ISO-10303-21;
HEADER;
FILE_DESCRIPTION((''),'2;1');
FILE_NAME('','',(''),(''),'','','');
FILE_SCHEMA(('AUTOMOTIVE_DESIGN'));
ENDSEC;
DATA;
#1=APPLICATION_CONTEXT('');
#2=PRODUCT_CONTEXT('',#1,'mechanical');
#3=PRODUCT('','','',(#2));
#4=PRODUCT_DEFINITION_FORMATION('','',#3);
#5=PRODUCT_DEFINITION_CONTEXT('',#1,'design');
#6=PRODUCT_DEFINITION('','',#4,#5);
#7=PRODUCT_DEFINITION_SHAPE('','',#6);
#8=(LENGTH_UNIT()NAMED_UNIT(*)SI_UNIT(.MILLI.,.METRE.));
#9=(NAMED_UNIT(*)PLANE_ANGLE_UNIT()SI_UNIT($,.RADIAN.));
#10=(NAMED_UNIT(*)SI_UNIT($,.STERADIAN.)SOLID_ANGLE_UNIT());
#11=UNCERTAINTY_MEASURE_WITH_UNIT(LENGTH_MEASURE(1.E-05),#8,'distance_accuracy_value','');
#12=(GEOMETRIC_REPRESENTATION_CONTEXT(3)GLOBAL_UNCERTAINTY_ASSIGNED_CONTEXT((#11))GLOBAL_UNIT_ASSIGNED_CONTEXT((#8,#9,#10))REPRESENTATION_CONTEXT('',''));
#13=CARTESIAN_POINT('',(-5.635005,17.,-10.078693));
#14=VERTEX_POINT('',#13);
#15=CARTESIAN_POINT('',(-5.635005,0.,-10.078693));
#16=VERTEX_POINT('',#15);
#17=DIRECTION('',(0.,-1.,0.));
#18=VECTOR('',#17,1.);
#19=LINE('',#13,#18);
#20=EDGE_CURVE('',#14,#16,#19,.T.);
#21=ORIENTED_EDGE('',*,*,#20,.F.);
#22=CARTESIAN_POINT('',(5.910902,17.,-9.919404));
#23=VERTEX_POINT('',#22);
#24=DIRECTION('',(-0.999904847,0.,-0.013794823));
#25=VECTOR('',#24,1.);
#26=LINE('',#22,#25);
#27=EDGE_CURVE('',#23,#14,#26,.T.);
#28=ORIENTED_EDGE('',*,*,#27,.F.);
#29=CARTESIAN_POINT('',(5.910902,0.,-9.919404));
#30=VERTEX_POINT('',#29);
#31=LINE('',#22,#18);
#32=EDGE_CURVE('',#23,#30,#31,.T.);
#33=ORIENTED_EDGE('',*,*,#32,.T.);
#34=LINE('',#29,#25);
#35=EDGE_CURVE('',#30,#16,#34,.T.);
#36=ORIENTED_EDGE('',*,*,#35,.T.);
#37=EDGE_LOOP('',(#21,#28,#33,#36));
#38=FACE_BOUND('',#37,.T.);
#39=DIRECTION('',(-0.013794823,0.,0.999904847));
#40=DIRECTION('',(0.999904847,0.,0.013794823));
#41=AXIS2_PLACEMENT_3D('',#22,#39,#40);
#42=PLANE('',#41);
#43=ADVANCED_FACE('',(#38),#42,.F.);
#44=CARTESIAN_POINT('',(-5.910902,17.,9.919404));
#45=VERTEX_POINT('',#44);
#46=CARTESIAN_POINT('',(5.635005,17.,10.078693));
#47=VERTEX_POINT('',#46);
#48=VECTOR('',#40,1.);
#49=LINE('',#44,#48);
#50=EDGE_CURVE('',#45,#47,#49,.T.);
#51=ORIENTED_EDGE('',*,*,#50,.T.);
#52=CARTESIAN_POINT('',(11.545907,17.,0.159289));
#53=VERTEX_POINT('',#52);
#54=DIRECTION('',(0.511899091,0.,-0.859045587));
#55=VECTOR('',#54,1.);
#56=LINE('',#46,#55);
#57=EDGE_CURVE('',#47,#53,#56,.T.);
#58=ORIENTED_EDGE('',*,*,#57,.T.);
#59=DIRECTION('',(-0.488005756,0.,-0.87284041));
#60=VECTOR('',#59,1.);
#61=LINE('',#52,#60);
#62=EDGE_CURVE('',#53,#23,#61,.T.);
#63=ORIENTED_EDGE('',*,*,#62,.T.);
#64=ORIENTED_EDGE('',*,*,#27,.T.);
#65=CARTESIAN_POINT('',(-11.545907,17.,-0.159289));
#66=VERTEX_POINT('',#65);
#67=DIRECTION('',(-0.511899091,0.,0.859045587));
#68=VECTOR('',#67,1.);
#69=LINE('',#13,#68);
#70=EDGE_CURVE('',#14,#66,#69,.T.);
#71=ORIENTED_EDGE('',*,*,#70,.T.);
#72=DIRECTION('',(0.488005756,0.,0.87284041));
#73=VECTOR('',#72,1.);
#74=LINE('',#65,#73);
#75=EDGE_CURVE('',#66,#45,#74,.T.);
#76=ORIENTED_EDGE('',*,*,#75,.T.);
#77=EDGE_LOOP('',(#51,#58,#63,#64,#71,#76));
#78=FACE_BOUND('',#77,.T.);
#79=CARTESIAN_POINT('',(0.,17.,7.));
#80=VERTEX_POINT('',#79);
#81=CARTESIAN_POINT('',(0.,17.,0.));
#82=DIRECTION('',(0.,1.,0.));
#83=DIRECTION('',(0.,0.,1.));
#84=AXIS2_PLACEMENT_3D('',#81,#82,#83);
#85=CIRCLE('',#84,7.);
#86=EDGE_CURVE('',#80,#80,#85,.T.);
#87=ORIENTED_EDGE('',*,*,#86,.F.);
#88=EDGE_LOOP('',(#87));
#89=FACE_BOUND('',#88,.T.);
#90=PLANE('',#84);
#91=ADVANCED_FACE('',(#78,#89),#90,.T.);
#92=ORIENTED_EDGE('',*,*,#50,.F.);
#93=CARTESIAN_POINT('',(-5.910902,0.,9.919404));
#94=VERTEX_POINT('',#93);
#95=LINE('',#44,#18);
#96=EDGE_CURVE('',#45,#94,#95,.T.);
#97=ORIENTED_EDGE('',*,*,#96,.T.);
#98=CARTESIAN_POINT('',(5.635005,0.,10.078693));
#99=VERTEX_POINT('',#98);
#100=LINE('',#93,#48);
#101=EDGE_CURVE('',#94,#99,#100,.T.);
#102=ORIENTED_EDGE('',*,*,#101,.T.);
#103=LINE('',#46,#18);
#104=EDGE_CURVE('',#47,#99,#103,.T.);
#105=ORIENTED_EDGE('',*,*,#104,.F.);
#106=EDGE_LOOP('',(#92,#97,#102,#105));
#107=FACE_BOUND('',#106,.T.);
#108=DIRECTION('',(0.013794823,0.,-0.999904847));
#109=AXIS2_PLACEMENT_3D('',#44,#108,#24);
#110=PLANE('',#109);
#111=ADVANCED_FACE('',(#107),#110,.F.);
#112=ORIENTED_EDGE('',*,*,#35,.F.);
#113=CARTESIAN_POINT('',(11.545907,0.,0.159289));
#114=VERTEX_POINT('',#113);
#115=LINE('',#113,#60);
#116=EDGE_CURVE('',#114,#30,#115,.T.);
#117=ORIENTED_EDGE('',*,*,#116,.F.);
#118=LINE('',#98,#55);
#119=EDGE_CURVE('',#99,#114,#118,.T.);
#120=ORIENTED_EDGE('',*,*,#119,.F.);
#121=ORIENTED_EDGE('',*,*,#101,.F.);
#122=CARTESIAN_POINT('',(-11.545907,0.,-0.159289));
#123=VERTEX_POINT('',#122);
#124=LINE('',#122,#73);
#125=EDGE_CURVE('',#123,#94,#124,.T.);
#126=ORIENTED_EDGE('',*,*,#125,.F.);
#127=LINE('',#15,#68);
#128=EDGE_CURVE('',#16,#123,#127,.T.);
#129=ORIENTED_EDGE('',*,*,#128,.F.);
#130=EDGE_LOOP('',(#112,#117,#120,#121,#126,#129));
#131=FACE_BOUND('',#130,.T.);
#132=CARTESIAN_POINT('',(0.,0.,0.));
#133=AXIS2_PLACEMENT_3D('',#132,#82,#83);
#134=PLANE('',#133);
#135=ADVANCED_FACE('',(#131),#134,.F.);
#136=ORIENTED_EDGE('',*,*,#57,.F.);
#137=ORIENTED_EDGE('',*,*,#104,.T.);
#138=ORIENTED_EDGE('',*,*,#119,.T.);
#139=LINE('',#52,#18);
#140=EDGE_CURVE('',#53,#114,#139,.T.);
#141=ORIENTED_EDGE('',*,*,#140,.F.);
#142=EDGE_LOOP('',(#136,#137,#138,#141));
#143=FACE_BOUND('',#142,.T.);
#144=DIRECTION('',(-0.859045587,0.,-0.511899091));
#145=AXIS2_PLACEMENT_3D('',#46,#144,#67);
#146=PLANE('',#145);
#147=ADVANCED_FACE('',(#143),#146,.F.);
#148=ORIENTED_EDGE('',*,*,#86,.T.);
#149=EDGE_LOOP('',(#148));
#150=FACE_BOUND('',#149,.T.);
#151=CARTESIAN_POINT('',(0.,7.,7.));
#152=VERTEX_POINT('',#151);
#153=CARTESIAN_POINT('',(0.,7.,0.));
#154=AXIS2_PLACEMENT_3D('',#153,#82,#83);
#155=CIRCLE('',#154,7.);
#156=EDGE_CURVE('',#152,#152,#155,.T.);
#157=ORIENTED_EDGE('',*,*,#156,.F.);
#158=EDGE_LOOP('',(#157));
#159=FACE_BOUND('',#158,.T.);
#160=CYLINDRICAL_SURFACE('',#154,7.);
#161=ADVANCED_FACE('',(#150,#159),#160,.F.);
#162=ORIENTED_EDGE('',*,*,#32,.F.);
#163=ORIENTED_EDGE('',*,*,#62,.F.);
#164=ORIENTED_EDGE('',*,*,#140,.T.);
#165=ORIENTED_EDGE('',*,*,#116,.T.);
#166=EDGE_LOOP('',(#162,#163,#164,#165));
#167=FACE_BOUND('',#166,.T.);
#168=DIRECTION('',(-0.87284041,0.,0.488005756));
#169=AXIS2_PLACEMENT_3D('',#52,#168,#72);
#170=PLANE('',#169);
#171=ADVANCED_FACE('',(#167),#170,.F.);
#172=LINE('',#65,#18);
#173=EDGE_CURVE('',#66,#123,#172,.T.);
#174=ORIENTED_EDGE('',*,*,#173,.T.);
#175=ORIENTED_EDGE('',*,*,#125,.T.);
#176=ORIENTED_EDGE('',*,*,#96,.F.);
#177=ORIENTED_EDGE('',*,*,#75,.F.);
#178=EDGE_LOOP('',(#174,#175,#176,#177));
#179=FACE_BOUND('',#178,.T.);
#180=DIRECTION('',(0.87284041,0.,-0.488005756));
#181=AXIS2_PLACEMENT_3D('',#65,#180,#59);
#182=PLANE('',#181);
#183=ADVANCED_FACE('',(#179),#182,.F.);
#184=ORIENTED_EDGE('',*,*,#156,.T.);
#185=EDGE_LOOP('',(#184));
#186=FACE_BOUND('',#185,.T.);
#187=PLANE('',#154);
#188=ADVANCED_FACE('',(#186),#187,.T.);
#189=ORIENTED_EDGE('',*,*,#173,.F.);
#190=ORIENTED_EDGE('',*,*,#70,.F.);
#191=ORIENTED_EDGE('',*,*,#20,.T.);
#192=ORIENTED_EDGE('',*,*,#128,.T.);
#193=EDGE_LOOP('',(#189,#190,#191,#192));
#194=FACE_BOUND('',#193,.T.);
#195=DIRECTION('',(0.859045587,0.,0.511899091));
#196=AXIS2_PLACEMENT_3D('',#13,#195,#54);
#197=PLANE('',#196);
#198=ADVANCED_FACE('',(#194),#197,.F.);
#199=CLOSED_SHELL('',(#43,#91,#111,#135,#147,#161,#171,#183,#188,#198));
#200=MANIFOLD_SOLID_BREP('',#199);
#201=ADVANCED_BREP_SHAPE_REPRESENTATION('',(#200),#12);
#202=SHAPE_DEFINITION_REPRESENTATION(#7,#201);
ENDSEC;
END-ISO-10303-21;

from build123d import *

# Parameters (mm, degrees)
EXTRUDE_1_DEPTH     = 17
SKETCH_2_R          = 7
CUT_EXTRUDE_1_DEPTH = 10


with BuildPart() as part:
    # ｽｹｯﾁ1 → ﾎﾞｽ - 押し出し1 (new body)
    with BuildSketch(Plane(origin=(0, 0, 0), x_dir=(1, 0, 0), z_dir=(0, 1, 0))):
        Polygon((5.635005091, -10.078692919), (11.54590665, -0.1592889), (5.910901559, 9.919404019), (-5.635005091, 10.078692919), (-11.54590665, 0.1592889), (-5.910901559, -9.919404019), align=None)
    extrude(amount=EXTRUDE_1_DEPTH)

    # ｽｹｯﾁ2 → ｶｯﾄ - 押し出し1 (cut)
    with BuildSketch(Plane(origin=(0, 17, 0), x_dir=(1, 0, 0), z_dir=(0, 1, 0))):
        with Locations(Location((0, 0, 0), (0, 0, 270))):
            Circle(SKETCH_2_R)
    extrude(amount=-CUT_EXTRUDE_1_DEPTH, mode=Mode.SUBTRACT)


solid = part.part
